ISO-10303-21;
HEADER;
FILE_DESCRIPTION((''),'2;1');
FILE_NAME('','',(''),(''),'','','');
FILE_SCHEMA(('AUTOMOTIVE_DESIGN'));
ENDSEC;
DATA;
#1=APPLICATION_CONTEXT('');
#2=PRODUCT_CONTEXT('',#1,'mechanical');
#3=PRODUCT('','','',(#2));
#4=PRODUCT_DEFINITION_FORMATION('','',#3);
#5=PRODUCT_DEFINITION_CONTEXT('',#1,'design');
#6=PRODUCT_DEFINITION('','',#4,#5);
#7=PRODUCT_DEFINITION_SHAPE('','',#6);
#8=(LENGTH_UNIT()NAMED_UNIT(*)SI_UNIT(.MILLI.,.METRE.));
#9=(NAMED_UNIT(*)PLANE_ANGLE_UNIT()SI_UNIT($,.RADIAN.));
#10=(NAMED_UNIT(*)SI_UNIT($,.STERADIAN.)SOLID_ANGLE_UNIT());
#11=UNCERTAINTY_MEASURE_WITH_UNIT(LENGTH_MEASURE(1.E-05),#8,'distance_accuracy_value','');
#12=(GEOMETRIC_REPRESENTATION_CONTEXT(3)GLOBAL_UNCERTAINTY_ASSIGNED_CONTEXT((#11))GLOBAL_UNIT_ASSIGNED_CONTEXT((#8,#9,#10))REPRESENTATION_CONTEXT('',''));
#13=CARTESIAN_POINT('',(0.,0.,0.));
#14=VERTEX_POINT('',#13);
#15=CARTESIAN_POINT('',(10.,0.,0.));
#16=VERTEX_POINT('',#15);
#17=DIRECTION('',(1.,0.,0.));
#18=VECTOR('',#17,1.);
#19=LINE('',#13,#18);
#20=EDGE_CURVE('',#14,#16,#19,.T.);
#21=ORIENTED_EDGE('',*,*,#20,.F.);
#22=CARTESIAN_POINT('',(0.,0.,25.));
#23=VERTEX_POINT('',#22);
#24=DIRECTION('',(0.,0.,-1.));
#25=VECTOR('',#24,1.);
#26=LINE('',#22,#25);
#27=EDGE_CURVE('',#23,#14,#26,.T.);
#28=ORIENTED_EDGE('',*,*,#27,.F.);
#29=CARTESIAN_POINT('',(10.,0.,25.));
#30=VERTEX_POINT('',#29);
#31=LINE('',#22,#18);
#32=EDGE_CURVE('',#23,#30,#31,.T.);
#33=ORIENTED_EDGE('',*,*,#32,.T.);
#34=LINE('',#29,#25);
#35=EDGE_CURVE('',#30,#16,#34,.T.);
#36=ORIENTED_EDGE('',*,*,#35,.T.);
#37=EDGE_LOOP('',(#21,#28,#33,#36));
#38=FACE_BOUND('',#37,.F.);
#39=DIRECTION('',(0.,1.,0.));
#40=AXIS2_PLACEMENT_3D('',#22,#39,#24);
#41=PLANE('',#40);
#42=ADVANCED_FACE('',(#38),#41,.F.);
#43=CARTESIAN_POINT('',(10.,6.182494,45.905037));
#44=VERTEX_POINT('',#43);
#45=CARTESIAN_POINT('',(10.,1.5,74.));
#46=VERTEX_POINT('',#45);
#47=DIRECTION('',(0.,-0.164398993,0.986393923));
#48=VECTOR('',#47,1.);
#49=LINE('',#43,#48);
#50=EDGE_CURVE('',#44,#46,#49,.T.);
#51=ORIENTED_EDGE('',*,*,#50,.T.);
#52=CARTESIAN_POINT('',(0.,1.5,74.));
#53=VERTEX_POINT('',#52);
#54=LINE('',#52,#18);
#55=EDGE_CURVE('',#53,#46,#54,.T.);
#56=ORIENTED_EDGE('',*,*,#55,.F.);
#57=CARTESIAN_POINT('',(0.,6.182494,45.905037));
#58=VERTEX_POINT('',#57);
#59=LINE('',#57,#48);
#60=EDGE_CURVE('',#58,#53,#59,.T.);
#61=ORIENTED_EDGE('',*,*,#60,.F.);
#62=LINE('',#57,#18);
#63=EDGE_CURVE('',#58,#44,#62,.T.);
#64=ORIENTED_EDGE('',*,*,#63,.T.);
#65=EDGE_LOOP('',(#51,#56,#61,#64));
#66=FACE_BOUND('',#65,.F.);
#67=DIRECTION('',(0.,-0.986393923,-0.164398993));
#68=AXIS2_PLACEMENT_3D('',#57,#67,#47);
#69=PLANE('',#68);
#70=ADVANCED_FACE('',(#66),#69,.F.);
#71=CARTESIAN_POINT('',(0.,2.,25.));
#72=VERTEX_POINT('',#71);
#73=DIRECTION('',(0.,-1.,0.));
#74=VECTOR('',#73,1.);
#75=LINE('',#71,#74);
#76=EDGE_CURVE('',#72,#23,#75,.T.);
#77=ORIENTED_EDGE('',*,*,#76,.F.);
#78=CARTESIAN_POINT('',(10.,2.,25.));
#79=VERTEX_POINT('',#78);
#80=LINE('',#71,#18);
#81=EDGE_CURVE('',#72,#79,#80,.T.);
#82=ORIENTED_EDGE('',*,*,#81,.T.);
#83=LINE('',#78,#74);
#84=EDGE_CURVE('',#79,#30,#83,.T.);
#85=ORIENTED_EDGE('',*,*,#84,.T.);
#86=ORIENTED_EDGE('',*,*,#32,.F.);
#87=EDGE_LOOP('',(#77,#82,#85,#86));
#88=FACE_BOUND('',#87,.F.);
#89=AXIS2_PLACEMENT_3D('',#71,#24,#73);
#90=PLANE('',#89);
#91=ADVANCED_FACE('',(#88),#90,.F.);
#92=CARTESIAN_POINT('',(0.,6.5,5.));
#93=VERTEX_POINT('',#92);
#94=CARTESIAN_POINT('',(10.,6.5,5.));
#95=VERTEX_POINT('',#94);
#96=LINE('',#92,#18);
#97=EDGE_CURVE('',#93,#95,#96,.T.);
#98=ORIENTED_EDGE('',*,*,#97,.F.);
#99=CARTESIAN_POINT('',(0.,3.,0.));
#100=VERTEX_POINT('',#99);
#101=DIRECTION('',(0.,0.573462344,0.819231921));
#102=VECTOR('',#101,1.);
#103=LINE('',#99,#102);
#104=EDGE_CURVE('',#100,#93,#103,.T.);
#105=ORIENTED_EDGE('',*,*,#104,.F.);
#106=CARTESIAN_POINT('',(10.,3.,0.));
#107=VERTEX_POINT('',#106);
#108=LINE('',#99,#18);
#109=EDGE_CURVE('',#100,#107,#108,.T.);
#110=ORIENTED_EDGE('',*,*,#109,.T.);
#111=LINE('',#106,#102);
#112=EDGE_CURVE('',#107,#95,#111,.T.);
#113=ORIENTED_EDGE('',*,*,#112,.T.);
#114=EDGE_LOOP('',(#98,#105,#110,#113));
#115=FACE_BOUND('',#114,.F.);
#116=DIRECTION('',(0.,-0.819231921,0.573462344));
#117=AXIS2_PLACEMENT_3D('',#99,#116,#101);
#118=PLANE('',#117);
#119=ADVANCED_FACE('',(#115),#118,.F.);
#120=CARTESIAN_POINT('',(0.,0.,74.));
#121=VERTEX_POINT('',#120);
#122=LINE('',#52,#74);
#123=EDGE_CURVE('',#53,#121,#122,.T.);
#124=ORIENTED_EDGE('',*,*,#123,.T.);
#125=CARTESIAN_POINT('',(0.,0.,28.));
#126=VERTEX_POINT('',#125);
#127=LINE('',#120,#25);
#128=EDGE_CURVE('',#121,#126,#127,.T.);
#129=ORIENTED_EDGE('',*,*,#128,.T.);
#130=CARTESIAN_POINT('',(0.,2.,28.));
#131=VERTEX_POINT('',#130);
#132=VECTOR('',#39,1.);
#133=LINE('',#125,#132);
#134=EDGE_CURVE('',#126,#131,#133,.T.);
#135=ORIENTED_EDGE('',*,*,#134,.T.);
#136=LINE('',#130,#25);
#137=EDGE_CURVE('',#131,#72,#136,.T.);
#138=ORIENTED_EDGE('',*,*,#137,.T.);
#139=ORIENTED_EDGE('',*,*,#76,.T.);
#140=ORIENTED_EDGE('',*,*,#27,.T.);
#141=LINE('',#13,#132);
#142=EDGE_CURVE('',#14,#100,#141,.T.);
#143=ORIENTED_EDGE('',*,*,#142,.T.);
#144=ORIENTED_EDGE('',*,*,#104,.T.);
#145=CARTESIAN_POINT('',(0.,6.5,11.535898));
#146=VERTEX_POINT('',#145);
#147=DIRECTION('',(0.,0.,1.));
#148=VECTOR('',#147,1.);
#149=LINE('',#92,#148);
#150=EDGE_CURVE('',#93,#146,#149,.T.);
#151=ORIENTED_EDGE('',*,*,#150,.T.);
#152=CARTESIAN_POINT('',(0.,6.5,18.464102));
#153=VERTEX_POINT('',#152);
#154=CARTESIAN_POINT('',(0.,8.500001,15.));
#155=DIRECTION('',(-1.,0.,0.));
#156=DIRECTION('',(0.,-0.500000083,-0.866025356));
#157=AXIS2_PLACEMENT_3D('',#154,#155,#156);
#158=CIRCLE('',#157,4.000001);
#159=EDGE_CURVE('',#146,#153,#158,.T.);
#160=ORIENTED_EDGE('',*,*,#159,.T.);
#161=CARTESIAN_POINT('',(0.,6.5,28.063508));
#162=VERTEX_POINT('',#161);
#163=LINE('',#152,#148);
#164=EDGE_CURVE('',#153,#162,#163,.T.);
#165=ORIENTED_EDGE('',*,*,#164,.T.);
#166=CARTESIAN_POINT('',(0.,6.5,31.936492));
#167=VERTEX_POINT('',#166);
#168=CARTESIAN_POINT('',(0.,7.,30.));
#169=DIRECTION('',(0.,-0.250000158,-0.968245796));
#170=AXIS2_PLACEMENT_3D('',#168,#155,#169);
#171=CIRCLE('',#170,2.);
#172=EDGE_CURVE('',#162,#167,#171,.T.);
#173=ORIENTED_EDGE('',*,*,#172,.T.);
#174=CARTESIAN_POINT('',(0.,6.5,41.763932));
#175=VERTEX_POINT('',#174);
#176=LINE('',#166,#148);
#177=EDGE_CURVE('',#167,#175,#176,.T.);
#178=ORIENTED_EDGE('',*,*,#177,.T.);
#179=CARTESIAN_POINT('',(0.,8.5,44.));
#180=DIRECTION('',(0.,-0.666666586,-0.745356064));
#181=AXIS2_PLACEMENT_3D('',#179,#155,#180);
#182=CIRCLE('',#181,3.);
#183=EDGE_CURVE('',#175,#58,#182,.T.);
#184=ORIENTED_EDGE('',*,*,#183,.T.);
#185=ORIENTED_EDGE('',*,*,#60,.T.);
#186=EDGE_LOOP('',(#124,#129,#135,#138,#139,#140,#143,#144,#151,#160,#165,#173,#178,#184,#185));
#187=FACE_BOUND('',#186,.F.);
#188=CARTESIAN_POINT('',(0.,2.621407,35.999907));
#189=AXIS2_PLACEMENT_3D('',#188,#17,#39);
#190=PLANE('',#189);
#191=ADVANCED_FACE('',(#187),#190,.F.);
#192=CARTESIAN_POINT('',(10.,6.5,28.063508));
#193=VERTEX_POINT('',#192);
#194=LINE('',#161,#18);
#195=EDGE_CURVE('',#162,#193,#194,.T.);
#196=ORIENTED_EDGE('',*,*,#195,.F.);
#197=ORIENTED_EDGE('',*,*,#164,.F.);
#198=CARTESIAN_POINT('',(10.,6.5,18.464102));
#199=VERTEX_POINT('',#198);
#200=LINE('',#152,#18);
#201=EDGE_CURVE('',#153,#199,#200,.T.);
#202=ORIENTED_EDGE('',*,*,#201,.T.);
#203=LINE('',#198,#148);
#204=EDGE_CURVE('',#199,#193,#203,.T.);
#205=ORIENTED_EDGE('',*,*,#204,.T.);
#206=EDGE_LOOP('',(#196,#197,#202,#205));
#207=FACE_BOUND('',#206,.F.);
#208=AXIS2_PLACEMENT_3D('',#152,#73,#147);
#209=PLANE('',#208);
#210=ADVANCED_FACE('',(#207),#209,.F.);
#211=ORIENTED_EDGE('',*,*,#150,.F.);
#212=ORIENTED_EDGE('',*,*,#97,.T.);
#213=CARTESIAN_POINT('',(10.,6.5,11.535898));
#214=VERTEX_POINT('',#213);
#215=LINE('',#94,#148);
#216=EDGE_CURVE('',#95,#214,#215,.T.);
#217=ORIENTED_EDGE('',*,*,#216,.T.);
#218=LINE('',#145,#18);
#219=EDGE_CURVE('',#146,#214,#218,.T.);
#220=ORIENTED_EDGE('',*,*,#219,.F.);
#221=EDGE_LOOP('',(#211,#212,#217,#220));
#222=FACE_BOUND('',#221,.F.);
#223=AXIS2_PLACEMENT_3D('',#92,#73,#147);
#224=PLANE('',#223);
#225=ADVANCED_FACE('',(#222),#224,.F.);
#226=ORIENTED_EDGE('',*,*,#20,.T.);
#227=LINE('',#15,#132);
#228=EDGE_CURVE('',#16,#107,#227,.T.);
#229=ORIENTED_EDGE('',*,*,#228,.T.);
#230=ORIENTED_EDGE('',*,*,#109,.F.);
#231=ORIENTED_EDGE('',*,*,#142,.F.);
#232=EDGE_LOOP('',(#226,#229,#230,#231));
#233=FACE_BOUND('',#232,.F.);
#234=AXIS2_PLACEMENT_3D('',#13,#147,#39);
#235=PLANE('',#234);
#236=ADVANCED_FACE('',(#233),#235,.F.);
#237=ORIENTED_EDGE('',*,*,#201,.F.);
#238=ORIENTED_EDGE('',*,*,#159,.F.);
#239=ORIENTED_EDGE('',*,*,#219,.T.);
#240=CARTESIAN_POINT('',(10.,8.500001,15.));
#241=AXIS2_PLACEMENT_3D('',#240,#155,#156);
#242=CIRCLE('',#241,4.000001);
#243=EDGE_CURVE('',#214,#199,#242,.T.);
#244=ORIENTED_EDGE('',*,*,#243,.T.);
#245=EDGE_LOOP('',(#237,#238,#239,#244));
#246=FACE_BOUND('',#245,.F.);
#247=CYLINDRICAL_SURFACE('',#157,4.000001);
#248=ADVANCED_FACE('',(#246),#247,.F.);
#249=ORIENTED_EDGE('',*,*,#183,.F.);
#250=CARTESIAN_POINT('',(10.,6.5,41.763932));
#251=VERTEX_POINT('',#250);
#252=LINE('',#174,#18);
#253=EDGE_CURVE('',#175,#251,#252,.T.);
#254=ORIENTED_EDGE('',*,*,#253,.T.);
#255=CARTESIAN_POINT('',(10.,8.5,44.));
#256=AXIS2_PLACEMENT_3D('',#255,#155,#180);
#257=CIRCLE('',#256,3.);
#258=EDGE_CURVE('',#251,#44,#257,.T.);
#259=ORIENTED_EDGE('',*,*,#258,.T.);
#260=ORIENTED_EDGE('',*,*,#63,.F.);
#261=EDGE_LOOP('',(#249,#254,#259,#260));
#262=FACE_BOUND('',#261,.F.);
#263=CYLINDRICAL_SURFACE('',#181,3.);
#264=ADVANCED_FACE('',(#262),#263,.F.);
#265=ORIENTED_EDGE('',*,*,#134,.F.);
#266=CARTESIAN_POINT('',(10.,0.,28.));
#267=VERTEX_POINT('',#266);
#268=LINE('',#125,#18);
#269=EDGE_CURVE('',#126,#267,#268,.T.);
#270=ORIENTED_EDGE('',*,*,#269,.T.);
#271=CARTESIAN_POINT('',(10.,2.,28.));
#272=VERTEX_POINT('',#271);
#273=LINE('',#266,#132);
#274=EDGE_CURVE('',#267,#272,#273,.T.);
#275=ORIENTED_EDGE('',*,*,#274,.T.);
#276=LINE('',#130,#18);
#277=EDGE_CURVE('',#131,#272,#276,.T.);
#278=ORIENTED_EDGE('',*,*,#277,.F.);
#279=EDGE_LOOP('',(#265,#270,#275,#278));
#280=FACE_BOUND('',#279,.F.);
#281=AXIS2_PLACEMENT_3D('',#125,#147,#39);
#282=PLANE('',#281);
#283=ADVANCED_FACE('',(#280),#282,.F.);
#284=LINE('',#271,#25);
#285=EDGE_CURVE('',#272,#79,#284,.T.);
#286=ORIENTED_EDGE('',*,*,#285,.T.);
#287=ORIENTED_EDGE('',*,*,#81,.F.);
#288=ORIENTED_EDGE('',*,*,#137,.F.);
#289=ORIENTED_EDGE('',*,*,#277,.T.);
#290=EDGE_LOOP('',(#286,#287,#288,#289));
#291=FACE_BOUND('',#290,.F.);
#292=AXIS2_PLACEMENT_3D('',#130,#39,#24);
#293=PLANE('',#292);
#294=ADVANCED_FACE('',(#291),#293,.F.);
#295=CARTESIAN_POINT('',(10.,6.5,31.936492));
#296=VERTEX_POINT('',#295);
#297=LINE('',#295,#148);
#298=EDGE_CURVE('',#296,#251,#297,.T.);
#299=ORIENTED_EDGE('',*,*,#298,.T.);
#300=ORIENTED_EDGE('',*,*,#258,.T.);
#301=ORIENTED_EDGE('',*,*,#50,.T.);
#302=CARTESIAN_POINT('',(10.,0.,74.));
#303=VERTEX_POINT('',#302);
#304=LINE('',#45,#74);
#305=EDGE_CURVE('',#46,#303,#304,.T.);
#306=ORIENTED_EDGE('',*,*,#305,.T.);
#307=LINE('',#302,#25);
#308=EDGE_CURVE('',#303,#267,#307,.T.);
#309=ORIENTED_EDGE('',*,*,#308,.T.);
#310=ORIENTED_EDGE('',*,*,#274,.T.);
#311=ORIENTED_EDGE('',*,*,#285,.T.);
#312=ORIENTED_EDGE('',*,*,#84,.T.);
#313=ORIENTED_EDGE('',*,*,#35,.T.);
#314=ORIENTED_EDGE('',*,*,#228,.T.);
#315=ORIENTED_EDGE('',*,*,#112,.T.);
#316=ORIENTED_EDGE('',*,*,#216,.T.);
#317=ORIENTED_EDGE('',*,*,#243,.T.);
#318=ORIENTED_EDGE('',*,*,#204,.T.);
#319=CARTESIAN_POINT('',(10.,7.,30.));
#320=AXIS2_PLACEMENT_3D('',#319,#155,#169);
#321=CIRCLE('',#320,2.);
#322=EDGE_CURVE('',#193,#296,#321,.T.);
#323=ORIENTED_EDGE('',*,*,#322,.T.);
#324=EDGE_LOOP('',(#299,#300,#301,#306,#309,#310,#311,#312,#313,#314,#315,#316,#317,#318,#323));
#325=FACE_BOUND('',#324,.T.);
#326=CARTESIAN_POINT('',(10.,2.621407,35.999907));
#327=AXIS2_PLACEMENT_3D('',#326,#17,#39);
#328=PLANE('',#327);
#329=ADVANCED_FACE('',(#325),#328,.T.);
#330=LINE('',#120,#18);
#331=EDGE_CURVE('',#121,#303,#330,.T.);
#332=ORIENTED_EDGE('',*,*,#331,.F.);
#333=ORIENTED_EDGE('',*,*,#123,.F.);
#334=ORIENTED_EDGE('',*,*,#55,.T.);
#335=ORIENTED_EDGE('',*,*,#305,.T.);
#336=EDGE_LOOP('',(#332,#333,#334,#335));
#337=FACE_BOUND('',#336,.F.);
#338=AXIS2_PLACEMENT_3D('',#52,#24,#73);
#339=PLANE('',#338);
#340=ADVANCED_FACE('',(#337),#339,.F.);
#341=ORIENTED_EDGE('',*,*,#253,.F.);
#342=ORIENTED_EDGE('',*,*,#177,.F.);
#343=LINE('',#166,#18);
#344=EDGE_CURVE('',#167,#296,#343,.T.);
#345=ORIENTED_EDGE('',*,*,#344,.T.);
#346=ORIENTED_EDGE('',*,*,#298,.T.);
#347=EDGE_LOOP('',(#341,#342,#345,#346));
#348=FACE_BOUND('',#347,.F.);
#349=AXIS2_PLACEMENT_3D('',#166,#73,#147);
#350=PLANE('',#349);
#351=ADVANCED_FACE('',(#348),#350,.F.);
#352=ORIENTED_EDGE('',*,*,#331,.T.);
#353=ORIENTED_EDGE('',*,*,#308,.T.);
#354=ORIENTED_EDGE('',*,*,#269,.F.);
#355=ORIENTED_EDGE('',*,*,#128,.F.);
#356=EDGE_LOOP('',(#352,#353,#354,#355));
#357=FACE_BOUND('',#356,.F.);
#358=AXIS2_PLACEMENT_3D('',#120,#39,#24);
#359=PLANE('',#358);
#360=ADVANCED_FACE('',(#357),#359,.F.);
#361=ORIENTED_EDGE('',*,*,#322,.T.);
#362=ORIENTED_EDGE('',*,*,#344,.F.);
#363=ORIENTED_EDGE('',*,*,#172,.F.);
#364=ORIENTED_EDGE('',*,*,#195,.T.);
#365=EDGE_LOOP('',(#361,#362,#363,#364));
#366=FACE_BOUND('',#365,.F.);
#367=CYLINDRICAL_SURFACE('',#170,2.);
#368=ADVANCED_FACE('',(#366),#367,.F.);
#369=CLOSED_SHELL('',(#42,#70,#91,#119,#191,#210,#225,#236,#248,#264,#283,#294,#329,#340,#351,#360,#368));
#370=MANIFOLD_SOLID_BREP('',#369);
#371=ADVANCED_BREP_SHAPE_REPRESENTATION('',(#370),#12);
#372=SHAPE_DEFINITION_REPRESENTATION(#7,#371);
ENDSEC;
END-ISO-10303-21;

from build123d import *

# Parameters (mm, degrees)
F1_DEPTH = 10


with BuildPart() as f1:
    # F0 (on Right) → F1 (new body)
    with BuildSketch(Plane.YZ):
        with BuildLine():
            Line((0, 25), (0, 0))
            Line((0, 0), (3, 0))
            Line((3, 0), (6.5, 5))
            Line((6.5, 5), (6.5, 11.535898))
            ThreePointArc((6.5, 11.535898), (4.5, 15), (6.5, 18.464102))
            Line((6.5, 18.464102), (6.5, 28.063508))
            ThreePointArc((6.5, 28.063508), (5, 30), (6.5, 31.936492))
            Line((6.5, 31.936492), (6.5, 41.763932))
            ThreePointArc((6.5, 41.763932), (5.508779, 43.770658), (6.182494, 45.905037))
            Line((6.182494, 45.905037), (1.5, 74))
            Line((1.5, 74), (0, 74))
            Line((0, 74), (0, 28))
            Line((0, 28), (2, 28))
            Line((2, 28), (2, 25))
            Line((2, 25), (0, 25))
        make_face()
    extrude(amount=F1_DEPTH)


solid = f1.part
